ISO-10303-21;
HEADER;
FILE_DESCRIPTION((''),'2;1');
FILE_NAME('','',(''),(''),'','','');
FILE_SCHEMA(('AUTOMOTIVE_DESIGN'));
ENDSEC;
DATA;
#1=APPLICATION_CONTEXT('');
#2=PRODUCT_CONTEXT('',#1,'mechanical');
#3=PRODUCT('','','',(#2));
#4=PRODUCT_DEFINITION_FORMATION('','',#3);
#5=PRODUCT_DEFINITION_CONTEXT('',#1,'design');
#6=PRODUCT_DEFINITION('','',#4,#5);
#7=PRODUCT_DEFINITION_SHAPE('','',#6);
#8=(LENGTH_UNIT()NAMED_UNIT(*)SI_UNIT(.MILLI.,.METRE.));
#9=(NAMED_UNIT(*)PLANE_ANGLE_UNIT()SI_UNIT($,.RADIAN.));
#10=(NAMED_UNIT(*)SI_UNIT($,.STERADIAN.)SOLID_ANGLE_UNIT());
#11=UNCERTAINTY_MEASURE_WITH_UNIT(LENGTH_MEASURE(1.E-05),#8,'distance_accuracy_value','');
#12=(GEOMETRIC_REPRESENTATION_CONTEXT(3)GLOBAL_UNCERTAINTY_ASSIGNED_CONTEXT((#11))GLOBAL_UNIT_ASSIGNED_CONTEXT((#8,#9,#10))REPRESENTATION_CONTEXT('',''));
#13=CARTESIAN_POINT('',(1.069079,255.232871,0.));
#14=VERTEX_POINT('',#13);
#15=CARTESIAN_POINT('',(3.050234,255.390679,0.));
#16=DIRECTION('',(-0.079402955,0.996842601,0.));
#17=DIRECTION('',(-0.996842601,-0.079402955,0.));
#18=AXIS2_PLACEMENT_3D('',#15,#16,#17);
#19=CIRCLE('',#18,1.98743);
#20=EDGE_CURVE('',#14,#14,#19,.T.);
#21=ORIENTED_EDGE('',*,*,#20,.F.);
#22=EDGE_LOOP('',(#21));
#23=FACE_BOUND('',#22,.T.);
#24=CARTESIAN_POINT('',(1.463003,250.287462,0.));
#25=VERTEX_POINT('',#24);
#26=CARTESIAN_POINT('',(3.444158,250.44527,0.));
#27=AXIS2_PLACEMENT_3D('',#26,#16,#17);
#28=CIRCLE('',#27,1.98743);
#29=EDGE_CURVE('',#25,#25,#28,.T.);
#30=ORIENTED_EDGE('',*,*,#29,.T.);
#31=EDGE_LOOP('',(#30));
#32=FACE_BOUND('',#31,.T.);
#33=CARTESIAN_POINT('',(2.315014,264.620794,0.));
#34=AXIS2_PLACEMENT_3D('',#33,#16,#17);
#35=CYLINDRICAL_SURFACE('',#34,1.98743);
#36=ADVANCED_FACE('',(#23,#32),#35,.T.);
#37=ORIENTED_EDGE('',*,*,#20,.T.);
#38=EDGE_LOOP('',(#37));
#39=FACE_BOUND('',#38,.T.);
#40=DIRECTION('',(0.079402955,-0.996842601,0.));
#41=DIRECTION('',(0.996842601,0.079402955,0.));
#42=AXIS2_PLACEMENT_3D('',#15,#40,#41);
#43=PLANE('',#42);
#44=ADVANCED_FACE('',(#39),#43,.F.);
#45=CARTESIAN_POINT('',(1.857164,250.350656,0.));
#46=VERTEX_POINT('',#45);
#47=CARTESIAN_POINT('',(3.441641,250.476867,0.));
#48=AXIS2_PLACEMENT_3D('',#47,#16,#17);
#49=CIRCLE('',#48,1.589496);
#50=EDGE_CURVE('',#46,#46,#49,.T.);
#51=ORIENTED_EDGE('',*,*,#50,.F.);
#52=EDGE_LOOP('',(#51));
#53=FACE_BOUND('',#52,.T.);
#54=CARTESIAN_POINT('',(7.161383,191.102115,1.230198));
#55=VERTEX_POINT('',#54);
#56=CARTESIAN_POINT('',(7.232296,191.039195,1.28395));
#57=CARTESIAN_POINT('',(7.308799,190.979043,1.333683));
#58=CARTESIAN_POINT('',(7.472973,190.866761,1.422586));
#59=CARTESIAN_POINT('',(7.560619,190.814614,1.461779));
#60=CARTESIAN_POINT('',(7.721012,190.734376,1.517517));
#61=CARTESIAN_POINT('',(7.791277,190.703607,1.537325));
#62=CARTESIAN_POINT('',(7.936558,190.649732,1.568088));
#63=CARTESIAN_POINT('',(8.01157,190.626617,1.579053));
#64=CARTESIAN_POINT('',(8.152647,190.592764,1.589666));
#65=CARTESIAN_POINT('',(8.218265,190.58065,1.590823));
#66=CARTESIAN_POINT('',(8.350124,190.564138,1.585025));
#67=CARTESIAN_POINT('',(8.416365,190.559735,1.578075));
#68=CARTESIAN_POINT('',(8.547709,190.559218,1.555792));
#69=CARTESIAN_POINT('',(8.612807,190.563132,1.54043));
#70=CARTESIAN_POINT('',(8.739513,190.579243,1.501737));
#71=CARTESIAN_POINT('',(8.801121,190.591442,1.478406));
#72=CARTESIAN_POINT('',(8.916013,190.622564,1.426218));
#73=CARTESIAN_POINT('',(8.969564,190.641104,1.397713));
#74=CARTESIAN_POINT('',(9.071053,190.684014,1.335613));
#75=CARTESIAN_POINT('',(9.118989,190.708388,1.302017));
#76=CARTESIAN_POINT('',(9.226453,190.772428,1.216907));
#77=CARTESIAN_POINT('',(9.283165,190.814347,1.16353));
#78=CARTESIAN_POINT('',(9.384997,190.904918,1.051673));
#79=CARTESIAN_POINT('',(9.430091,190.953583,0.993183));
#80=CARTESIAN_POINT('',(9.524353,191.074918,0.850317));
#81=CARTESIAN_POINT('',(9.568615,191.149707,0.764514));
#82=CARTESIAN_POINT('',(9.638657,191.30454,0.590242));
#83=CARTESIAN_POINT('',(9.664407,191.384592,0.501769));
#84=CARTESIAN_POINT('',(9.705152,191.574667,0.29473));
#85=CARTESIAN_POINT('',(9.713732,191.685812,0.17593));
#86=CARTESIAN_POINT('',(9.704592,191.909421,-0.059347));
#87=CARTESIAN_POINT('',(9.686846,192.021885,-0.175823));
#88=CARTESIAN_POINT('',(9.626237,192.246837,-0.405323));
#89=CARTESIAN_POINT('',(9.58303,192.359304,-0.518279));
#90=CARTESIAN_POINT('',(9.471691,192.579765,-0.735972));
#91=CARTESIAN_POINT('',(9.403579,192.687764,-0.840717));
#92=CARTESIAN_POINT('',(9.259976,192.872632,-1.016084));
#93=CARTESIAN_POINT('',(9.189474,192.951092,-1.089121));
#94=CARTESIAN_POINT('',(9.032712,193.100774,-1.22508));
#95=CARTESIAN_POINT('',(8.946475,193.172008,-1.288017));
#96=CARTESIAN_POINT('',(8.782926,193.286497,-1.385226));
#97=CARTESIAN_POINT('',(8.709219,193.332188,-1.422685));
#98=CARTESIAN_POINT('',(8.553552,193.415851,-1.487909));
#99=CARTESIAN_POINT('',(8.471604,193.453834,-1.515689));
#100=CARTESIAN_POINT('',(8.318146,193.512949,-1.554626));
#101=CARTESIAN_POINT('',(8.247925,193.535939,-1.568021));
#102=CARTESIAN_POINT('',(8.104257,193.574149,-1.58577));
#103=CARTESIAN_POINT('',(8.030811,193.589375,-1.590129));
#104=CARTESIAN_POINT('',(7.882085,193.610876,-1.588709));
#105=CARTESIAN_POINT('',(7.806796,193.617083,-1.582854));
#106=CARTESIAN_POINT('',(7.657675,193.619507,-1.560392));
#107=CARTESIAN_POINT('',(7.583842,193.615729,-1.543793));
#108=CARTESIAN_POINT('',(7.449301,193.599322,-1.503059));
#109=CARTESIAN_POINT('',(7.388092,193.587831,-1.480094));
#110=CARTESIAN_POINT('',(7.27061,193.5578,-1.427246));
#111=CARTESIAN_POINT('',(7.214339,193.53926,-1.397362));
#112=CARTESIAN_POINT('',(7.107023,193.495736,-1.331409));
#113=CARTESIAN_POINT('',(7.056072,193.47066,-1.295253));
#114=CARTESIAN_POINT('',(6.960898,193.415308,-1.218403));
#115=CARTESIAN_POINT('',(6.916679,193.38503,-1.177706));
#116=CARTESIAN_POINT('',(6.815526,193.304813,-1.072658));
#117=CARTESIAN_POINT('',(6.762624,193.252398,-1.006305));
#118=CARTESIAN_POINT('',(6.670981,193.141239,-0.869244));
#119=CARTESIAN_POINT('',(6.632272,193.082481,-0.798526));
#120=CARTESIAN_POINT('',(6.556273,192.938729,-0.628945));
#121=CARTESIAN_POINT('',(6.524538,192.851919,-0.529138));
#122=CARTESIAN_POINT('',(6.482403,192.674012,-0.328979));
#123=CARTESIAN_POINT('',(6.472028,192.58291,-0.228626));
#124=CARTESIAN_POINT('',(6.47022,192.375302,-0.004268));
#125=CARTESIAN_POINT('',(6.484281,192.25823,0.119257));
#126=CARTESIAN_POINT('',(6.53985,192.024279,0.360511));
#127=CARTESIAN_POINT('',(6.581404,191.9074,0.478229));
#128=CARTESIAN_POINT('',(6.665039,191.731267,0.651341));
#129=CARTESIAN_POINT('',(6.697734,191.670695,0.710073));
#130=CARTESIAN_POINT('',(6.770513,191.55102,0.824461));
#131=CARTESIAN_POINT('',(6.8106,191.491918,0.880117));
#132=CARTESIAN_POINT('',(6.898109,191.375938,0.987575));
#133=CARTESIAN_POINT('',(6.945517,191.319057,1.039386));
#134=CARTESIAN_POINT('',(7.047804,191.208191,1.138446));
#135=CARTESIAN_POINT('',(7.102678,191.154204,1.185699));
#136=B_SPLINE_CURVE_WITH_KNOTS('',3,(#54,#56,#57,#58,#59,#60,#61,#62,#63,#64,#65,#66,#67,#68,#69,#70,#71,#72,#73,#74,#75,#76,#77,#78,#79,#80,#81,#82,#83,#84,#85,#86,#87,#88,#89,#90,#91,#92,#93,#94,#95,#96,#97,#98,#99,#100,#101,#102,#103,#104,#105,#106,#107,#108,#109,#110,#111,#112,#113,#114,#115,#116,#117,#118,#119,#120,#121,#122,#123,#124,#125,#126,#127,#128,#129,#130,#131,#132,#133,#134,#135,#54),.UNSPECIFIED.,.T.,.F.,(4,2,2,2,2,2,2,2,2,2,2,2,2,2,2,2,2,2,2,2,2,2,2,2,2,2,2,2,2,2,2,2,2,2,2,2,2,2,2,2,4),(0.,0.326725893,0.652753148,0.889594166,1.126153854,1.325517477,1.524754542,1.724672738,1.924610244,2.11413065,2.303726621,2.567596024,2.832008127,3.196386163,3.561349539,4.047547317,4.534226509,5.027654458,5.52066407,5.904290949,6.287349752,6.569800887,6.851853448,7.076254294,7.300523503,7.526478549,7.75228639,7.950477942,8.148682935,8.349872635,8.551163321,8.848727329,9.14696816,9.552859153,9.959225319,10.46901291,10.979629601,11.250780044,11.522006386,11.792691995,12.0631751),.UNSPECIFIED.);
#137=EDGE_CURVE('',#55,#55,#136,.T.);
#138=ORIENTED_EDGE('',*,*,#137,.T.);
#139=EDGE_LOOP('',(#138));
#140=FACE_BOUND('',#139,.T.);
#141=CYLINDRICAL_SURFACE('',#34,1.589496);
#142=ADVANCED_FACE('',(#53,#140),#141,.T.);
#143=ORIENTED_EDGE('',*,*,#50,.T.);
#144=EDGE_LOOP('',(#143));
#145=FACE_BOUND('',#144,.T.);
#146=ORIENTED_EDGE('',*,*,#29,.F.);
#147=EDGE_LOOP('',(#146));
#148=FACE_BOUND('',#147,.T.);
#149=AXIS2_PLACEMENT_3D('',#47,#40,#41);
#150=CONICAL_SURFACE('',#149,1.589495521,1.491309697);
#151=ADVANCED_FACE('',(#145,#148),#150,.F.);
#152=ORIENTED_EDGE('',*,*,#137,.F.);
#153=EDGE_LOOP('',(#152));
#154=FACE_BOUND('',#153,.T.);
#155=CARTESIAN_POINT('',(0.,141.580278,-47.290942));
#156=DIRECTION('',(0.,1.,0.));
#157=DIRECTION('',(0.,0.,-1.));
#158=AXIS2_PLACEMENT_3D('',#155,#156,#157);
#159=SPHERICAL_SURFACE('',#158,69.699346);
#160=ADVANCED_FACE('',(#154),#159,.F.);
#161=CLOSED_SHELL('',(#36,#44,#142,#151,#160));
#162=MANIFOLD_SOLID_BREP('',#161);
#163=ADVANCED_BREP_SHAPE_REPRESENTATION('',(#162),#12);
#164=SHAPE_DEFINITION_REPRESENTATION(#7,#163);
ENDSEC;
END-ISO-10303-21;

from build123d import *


with BuildPart() as part:
    # 草图1 → 旋转1 (revolve)
    with BuildSketch(Plane.XY):
        Polygon((3.050233699, 255.390679145), (5.031388725, 255.548486971), (5.425312632, 250.603077414), (5.0261176, 250.603077414), (9.960700437, 188.653211812), (8.376223588, 188.52700117), align=None)
    revolve(axis=Axis((2.315013939, 264.620793788, 0), (0.079402955, -0.996842601, 0)))

    # 草图2 → 切除-旋转1 (revolve, cut)
    with BuildSketch(Plane(origin=(0, 0, 0), x_dir=(0, 0, -1), z_dir=(1, 0, 0))):
        with BuildLine():
            Line((47.290942282, 71.880931487), (47.290942282, 211.279623848))
            ThreePointArc((47.290942282, 211.279623848), (-22.408403898, 141.580277667), (47.290942282, 71.880931487))
        make_face()
    revolve(axis=Axis((0, 235.002351216, -47.290942282), (0, -1, 0)), mode=Mode.SUBTRACT)


solid = part.part
